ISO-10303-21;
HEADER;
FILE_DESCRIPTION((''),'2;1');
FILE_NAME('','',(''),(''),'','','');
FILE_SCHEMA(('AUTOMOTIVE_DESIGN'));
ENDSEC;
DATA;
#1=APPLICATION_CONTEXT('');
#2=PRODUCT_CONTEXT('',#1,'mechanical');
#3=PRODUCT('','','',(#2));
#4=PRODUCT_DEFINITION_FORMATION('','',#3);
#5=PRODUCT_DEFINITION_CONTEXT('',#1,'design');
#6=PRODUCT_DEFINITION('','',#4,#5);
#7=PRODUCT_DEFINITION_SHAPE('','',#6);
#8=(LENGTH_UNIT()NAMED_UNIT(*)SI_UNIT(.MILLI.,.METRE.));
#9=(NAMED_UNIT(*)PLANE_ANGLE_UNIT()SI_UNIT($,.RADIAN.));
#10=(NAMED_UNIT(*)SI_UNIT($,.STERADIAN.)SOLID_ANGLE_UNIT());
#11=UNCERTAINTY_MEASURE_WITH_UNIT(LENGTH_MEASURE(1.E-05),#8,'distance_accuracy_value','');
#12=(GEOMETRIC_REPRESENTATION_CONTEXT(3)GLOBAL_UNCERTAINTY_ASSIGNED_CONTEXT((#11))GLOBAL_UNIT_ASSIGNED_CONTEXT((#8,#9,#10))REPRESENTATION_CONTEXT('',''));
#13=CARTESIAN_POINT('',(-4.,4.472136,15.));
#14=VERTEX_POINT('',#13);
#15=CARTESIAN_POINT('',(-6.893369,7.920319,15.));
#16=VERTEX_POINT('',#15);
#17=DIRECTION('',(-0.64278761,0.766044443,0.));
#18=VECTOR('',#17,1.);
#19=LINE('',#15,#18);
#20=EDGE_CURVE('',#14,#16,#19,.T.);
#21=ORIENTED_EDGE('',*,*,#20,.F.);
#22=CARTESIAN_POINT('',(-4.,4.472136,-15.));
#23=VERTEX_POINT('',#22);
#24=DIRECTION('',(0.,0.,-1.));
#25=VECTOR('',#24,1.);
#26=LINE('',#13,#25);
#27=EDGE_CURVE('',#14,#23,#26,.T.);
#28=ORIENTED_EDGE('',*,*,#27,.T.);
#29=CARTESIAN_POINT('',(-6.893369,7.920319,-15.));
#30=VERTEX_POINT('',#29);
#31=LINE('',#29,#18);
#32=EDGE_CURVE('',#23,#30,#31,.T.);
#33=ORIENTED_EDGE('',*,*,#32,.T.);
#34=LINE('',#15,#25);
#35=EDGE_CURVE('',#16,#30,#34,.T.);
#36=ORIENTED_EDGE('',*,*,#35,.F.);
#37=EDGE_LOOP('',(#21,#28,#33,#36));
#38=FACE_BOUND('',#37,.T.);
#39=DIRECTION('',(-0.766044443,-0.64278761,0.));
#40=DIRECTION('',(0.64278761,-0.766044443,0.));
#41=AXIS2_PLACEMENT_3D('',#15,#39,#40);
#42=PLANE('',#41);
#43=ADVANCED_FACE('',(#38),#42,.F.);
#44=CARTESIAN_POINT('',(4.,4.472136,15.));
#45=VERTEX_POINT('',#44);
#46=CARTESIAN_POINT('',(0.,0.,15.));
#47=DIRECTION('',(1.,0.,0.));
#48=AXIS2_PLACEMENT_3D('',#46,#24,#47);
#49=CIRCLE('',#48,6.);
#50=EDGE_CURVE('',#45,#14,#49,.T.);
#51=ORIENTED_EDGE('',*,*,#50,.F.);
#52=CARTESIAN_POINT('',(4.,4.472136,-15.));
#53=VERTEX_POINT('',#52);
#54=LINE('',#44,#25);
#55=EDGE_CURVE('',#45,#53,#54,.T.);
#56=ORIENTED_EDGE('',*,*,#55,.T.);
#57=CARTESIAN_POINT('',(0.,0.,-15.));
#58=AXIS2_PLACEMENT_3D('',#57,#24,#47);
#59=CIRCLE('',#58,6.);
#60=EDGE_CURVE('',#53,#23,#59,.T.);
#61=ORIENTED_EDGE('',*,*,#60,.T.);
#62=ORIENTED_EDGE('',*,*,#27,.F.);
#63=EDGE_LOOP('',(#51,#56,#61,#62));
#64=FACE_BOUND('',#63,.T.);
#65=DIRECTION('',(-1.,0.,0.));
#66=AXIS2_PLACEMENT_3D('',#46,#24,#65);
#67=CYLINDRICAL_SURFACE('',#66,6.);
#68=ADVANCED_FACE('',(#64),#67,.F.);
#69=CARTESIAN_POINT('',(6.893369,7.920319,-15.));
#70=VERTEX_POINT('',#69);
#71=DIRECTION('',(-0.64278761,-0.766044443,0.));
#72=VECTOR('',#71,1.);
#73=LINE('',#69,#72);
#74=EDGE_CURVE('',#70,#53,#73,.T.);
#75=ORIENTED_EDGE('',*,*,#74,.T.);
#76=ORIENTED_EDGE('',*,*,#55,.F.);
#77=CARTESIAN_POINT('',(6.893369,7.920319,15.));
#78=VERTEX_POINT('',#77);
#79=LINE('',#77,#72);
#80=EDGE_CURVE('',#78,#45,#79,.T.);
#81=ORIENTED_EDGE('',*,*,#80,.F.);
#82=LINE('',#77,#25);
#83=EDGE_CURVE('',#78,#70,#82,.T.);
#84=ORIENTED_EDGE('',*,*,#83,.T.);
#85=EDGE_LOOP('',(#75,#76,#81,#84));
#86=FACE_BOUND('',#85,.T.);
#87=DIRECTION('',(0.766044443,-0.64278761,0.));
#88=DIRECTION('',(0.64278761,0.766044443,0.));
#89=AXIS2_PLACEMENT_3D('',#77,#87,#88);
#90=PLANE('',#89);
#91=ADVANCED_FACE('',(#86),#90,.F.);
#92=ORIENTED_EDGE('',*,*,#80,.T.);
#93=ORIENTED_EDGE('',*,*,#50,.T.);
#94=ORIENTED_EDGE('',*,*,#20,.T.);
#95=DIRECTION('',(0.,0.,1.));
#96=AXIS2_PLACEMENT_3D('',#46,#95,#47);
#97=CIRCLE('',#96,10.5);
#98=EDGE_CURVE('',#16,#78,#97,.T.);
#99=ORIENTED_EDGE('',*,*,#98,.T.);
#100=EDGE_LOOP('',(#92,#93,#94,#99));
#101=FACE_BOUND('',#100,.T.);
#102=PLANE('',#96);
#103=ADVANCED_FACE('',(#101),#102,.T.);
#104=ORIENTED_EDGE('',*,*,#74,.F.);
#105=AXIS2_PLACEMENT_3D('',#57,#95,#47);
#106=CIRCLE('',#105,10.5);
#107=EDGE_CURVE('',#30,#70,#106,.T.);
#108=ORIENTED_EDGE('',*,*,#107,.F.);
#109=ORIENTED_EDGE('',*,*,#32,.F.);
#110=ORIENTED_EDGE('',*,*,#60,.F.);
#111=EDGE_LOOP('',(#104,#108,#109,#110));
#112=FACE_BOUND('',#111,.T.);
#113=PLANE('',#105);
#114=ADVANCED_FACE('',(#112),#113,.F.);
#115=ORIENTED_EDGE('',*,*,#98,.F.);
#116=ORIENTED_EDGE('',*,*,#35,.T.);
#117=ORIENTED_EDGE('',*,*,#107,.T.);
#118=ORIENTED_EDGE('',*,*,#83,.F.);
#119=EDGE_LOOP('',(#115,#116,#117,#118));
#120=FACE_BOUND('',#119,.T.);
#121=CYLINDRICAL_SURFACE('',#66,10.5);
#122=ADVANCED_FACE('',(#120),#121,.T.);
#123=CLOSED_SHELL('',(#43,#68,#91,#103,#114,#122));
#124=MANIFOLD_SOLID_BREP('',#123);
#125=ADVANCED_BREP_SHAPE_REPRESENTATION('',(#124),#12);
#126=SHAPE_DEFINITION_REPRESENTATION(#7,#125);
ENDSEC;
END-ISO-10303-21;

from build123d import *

# Parameters (mm, degrees)
EXTRUDE_1_DEPTH = 15


with BuildPart() as part:
    # 草图1 → 凸台-拉伸1 (new, symmetric)
    with BuildSketch(Plane.XY):
        with BuildLine():
            Line((-6.8933694, 7.920319332), (-4, 4.472135955))
            ThreePointArc((-4, 4.472135955), (0, -6), (4, 4.472135955))
            Line((4, 4.472135955), (6.8933694, 7.920319332))
            ThreePointArc((6.8933694, 7.920319332), (0, -10.5), (-6.8933694, 7.920319332))
        make_face()
    extrude(amount=EXTRUDE_1_DEPTH, both=True)


solid = part.part
